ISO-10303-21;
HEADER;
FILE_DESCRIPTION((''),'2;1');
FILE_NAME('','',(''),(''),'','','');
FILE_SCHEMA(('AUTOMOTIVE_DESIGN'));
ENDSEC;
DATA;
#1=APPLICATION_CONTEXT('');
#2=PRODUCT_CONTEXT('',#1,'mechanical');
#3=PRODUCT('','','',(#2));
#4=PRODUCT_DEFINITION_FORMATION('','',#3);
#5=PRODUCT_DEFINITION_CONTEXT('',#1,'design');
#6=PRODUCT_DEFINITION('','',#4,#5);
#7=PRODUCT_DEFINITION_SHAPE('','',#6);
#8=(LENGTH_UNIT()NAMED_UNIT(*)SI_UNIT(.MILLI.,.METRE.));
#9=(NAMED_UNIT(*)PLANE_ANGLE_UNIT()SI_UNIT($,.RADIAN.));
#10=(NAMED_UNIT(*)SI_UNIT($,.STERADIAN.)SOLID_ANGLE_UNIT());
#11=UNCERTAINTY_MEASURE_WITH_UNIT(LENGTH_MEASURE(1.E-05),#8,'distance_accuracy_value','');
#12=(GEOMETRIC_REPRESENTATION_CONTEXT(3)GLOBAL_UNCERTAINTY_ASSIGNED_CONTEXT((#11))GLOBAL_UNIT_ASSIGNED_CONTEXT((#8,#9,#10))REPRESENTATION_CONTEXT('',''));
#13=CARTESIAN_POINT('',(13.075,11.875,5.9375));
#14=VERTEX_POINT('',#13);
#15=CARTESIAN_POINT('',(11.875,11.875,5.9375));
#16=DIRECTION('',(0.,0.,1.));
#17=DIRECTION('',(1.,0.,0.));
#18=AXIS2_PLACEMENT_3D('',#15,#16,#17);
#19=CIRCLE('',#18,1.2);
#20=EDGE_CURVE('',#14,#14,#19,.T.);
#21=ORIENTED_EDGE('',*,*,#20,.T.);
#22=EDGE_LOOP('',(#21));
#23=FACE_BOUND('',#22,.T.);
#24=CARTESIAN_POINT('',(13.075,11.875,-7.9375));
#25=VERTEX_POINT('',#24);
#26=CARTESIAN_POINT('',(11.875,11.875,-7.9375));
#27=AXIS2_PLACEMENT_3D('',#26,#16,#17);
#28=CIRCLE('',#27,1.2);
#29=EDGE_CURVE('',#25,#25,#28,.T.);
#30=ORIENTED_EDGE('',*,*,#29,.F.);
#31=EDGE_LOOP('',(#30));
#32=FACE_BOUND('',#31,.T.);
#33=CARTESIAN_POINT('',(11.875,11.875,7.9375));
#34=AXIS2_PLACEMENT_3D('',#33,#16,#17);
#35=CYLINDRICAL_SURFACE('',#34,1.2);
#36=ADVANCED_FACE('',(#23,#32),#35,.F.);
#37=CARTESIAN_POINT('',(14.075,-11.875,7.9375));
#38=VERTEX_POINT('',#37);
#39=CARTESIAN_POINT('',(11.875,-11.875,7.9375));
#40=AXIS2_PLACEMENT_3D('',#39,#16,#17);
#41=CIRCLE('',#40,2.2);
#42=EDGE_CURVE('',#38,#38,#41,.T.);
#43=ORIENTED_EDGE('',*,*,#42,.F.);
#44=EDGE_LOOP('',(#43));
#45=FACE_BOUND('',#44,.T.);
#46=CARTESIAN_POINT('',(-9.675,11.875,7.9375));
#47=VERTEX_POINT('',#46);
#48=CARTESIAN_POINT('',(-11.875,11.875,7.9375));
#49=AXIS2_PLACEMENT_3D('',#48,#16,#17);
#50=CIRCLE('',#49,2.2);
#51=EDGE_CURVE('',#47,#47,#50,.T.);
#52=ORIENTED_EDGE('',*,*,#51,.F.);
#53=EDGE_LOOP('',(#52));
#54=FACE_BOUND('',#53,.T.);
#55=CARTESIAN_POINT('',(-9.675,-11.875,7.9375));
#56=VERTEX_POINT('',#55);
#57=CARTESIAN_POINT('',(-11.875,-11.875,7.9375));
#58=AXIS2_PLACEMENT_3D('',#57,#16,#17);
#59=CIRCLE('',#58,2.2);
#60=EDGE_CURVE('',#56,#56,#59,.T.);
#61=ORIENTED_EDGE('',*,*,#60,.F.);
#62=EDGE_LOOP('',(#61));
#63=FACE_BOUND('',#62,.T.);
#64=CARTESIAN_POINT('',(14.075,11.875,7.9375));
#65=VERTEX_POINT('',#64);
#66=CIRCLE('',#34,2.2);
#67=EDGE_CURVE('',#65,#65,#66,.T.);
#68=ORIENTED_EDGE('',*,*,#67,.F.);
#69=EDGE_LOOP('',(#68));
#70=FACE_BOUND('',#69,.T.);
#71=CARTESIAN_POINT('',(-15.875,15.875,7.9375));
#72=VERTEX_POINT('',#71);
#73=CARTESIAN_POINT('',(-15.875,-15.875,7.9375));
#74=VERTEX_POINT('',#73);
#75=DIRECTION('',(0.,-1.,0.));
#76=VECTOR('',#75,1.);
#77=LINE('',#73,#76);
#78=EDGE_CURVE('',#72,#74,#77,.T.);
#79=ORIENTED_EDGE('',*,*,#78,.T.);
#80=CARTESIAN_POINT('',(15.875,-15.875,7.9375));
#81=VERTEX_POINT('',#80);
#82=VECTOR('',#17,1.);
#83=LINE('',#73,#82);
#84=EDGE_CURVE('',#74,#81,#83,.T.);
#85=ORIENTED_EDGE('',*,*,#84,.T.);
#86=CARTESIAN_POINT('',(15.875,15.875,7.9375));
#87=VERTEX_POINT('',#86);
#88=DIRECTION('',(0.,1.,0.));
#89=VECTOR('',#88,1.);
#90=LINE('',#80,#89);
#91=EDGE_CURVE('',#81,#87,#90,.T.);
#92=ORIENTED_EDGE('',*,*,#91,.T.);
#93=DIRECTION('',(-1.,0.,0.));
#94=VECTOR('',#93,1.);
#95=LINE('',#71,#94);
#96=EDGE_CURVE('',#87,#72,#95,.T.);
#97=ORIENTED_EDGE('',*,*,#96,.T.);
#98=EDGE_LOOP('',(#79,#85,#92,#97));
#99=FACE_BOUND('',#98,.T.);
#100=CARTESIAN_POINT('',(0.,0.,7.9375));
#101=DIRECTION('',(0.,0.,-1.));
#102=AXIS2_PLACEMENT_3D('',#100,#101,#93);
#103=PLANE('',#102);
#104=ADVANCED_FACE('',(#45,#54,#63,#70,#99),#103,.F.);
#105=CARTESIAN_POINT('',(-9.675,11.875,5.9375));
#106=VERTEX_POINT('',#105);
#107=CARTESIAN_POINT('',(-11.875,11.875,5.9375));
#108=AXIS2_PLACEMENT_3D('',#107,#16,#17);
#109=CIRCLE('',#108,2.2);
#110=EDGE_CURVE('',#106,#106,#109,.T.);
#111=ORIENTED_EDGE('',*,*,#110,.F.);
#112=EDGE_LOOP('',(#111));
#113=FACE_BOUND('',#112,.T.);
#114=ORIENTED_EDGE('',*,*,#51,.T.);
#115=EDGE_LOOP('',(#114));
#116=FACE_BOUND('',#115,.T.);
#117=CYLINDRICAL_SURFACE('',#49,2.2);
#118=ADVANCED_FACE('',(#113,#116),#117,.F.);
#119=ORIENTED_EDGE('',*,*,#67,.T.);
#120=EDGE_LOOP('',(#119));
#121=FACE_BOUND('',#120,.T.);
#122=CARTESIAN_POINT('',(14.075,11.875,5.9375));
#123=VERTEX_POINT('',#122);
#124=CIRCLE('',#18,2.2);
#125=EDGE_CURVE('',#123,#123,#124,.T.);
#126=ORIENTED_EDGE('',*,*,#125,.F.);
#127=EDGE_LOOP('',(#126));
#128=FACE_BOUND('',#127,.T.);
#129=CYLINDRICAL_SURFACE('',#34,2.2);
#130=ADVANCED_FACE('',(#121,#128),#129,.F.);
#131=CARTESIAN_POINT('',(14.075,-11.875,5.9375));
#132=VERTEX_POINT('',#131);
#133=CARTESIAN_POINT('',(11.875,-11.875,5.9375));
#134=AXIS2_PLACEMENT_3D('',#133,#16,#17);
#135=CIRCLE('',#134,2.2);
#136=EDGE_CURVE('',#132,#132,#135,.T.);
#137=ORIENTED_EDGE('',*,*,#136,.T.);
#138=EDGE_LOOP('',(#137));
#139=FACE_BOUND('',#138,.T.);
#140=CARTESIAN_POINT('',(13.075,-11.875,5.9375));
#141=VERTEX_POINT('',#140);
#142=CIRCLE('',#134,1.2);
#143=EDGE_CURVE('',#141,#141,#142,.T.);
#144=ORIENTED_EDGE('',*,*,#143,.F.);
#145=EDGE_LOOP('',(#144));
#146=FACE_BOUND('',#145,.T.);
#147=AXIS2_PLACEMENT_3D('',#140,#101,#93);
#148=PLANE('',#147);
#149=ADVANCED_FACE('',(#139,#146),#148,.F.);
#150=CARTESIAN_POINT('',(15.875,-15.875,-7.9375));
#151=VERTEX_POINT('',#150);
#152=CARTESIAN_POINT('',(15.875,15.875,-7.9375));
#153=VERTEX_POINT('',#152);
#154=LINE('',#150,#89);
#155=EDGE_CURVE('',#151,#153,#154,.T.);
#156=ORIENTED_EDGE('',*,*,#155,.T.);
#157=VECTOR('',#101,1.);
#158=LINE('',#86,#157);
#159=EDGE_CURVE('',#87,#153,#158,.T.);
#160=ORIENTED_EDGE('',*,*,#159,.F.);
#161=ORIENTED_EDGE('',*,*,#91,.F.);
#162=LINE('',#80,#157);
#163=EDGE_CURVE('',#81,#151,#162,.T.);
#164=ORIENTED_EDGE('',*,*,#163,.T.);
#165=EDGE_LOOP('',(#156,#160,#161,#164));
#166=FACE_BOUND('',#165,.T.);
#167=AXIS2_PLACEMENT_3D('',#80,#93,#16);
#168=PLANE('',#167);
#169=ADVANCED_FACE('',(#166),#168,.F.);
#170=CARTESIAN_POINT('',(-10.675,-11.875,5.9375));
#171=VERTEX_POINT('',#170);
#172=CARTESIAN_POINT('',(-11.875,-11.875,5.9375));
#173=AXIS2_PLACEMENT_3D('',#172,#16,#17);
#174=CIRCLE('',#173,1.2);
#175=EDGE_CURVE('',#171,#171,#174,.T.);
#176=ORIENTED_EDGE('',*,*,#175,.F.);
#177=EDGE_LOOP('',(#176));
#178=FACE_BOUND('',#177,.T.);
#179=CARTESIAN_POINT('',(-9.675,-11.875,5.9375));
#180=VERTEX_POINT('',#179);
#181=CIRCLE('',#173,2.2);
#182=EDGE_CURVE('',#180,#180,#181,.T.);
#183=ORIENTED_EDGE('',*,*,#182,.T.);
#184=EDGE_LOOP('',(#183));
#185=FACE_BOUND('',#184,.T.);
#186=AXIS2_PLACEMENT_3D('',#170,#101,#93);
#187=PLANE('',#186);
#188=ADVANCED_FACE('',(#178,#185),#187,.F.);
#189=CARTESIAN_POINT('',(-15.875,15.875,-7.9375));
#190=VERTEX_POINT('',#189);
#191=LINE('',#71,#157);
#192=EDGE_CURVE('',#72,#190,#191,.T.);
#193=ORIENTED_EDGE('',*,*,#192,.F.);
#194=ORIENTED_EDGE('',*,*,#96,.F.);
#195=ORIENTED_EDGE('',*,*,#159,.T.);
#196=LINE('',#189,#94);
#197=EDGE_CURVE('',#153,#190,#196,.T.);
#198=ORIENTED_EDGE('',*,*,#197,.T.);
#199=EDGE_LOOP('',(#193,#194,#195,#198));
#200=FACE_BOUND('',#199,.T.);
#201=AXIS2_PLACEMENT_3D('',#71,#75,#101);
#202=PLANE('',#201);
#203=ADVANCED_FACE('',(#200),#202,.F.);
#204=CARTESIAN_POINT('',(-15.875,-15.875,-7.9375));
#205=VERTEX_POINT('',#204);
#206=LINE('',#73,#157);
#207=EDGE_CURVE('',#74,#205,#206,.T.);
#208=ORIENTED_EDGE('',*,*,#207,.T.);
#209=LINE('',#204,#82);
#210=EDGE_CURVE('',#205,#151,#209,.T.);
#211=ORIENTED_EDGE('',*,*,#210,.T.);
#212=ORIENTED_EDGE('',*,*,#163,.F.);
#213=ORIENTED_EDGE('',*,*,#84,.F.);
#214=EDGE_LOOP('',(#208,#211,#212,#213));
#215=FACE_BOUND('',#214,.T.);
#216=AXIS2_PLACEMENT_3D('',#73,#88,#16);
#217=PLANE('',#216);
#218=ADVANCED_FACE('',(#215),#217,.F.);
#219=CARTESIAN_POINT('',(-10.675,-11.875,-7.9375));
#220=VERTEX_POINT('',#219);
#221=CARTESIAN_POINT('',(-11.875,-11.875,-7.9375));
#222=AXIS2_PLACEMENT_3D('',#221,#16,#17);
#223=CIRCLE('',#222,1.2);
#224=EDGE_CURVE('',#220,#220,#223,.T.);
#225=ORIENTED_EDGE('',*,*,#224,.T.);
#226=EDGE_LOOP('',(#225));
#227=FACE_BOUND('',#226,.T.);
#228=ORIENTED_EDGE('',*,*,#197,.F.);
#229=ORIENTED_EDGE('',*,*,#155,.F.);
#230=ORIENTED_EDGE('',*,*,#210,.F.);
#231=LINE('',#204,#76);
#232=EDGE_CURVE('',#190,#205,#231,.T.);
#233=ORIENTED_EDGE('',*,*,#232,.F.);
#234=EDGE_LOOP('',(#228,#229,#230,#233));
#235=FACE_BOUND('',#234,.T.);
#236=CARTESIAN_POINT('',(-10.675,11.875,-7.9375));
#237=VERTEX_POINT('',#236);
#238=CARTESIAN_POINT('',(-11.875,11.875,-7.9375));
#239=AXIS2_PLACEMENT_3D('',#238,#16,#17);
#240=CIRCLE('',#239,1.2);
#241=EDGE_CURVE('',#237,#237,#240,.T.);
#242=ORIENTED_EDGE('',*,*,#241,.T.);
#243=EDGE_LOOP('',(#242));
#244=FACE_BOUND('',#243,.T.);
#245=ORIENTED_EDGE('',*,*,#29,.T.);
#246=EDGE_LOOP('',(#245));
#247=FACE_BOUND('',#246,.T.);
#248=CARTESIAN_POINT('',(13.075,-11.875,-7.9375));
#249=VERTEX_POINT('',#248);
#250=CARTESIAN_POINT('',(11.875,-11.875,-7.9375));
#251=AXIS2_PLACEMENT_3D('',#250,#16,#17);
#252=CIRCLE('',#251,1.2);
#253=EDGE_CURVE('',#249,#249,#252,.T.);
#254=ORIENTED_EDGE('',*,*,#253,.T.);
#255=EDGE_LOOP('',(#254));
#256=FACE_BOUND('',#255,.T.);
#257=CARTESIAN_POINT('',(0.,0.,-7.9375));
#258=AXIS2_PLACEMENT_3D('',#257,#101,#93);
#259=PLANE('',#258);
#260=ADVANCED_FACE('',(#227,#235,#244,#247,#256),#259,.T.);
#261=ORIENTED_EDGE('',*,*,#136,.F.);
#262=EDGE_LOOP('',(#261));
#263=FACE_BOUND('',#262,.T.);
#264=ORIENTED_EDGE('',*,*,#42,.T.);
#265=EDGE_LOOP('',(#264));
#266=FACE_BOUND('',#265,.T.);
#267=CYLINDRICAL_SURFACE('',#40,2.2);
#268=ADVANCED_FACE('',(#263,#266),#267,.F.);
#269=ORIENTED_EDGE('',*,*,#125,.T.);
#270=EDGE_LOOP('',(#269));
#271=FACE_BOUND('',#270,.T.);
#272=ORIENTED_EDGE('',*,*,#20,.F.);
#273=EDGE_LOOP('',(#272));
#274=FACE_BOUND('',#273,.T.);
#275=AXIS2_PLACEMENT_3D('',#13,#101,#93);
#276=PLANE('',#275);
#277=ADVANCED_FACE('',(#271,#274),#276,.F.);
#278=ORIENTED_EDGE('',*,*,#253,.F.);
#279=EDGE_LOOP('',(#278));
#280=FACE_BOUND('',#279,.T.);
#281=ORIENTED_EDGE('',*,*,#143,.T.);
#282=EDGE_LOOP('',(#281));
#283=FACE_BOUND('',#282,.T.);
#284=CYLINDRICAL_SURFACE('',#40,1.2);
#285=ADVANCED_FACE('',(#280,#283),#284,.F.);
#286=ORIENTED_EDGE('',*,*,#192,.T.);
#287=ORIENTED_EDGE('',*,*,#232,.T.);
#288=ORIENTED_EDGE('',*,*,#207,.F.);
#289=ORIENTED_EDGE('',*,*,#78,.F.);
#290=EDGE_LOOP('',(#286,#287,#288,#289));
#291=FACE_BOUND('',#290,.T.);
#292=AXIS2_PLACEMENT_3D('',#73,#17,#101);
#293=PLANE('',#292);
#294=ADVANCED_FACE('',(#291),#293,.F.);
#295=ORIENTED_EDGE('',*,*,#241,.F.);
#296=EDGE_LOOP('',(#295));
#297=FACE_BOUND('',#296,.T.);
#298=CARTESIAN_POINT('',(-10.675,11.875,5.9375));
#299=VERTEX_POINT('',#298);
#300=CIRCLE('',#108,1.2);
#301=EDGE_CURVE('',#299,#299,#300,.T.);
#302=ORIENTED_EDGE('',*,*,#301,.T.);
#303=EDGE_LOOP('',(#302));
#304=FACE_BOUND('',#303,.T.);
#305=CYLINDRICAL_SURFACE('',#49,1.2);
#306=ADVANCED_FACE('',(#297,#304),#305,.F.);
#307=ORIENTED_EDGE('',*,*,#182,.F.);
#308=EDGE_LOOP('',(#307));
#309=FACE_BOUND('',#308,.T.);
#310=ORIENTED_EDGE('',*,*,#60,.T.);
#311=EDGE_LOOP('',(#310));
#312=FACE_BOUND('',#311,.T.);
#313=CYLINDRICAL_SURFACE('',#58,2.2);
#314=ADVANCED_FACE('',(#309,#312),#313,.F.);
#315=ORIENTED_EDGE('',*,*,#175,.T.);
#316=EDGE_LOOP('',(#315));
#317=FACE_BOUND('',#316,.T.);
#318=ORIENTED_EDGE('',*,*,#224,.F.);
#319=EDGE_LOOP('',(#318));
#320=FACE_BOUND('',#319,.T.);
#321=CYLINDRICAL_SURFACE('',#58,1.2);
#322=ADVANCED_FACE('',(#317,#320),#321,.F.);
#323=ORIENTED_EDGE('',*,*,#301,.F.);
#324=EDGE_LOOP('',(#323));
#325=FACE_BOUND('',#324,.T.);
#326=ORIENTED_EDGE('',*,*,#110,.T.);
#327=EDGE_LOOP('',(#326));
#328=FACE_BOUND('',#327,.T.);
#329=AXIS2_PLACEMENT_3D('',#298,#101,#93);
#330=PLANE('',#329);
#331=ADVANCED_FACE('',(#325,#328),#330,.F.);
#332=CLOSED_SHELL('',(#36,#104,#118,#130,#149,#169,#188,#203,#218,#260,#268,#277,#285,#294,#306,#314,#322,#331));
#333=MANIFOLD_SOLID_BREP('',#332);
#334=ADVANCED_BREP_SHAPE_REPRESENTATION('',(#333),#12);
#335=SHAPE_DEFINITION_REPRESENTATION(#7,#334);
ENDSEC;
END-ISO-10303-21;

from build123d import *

# Parameters (mm, degrees)
SKETCH1_W                      = 31.75
SKETCH1_H                      = 31.75
BOSS_EXTRUDE1_DEPTH            = 7.9375
CBORE_FOR_M2_SHCS1_D           = 2.4
CBORE_FOR_M2_SHCS1_CBORE_D     = 4.4
CBORE_FOR_M2_SHCS1_CBORE_DEPTH = 2


with BuildPart() as part:
    # Sketch1 → Boss-Extrude1 (new body, symmetric)
    with BuildSketch(Plane.XY):
        Rectangle(SKETCH1_W, SKETCH1_H)
    extrude(amount=BOSS_EXTRUDE1_DEPTH, both=True)

    # CBORE for M2 SHCS1 (through all)
    with Locations(Plane.XY.offset(7.9375)):
        with Locations((-11.875, 11.875), (11.875, 11.875), (11.875, -11.875), (-11.875, -11.875)):
            CounterBoreHole(CBORE_FOR_M2_SHCS1_D / 2, CBORE_FOR_M2_SHCS1_CBORE_D / 2, CBORE_FOR_M2_SHCS1_CBORE_DEPTH)


solid = part.part
